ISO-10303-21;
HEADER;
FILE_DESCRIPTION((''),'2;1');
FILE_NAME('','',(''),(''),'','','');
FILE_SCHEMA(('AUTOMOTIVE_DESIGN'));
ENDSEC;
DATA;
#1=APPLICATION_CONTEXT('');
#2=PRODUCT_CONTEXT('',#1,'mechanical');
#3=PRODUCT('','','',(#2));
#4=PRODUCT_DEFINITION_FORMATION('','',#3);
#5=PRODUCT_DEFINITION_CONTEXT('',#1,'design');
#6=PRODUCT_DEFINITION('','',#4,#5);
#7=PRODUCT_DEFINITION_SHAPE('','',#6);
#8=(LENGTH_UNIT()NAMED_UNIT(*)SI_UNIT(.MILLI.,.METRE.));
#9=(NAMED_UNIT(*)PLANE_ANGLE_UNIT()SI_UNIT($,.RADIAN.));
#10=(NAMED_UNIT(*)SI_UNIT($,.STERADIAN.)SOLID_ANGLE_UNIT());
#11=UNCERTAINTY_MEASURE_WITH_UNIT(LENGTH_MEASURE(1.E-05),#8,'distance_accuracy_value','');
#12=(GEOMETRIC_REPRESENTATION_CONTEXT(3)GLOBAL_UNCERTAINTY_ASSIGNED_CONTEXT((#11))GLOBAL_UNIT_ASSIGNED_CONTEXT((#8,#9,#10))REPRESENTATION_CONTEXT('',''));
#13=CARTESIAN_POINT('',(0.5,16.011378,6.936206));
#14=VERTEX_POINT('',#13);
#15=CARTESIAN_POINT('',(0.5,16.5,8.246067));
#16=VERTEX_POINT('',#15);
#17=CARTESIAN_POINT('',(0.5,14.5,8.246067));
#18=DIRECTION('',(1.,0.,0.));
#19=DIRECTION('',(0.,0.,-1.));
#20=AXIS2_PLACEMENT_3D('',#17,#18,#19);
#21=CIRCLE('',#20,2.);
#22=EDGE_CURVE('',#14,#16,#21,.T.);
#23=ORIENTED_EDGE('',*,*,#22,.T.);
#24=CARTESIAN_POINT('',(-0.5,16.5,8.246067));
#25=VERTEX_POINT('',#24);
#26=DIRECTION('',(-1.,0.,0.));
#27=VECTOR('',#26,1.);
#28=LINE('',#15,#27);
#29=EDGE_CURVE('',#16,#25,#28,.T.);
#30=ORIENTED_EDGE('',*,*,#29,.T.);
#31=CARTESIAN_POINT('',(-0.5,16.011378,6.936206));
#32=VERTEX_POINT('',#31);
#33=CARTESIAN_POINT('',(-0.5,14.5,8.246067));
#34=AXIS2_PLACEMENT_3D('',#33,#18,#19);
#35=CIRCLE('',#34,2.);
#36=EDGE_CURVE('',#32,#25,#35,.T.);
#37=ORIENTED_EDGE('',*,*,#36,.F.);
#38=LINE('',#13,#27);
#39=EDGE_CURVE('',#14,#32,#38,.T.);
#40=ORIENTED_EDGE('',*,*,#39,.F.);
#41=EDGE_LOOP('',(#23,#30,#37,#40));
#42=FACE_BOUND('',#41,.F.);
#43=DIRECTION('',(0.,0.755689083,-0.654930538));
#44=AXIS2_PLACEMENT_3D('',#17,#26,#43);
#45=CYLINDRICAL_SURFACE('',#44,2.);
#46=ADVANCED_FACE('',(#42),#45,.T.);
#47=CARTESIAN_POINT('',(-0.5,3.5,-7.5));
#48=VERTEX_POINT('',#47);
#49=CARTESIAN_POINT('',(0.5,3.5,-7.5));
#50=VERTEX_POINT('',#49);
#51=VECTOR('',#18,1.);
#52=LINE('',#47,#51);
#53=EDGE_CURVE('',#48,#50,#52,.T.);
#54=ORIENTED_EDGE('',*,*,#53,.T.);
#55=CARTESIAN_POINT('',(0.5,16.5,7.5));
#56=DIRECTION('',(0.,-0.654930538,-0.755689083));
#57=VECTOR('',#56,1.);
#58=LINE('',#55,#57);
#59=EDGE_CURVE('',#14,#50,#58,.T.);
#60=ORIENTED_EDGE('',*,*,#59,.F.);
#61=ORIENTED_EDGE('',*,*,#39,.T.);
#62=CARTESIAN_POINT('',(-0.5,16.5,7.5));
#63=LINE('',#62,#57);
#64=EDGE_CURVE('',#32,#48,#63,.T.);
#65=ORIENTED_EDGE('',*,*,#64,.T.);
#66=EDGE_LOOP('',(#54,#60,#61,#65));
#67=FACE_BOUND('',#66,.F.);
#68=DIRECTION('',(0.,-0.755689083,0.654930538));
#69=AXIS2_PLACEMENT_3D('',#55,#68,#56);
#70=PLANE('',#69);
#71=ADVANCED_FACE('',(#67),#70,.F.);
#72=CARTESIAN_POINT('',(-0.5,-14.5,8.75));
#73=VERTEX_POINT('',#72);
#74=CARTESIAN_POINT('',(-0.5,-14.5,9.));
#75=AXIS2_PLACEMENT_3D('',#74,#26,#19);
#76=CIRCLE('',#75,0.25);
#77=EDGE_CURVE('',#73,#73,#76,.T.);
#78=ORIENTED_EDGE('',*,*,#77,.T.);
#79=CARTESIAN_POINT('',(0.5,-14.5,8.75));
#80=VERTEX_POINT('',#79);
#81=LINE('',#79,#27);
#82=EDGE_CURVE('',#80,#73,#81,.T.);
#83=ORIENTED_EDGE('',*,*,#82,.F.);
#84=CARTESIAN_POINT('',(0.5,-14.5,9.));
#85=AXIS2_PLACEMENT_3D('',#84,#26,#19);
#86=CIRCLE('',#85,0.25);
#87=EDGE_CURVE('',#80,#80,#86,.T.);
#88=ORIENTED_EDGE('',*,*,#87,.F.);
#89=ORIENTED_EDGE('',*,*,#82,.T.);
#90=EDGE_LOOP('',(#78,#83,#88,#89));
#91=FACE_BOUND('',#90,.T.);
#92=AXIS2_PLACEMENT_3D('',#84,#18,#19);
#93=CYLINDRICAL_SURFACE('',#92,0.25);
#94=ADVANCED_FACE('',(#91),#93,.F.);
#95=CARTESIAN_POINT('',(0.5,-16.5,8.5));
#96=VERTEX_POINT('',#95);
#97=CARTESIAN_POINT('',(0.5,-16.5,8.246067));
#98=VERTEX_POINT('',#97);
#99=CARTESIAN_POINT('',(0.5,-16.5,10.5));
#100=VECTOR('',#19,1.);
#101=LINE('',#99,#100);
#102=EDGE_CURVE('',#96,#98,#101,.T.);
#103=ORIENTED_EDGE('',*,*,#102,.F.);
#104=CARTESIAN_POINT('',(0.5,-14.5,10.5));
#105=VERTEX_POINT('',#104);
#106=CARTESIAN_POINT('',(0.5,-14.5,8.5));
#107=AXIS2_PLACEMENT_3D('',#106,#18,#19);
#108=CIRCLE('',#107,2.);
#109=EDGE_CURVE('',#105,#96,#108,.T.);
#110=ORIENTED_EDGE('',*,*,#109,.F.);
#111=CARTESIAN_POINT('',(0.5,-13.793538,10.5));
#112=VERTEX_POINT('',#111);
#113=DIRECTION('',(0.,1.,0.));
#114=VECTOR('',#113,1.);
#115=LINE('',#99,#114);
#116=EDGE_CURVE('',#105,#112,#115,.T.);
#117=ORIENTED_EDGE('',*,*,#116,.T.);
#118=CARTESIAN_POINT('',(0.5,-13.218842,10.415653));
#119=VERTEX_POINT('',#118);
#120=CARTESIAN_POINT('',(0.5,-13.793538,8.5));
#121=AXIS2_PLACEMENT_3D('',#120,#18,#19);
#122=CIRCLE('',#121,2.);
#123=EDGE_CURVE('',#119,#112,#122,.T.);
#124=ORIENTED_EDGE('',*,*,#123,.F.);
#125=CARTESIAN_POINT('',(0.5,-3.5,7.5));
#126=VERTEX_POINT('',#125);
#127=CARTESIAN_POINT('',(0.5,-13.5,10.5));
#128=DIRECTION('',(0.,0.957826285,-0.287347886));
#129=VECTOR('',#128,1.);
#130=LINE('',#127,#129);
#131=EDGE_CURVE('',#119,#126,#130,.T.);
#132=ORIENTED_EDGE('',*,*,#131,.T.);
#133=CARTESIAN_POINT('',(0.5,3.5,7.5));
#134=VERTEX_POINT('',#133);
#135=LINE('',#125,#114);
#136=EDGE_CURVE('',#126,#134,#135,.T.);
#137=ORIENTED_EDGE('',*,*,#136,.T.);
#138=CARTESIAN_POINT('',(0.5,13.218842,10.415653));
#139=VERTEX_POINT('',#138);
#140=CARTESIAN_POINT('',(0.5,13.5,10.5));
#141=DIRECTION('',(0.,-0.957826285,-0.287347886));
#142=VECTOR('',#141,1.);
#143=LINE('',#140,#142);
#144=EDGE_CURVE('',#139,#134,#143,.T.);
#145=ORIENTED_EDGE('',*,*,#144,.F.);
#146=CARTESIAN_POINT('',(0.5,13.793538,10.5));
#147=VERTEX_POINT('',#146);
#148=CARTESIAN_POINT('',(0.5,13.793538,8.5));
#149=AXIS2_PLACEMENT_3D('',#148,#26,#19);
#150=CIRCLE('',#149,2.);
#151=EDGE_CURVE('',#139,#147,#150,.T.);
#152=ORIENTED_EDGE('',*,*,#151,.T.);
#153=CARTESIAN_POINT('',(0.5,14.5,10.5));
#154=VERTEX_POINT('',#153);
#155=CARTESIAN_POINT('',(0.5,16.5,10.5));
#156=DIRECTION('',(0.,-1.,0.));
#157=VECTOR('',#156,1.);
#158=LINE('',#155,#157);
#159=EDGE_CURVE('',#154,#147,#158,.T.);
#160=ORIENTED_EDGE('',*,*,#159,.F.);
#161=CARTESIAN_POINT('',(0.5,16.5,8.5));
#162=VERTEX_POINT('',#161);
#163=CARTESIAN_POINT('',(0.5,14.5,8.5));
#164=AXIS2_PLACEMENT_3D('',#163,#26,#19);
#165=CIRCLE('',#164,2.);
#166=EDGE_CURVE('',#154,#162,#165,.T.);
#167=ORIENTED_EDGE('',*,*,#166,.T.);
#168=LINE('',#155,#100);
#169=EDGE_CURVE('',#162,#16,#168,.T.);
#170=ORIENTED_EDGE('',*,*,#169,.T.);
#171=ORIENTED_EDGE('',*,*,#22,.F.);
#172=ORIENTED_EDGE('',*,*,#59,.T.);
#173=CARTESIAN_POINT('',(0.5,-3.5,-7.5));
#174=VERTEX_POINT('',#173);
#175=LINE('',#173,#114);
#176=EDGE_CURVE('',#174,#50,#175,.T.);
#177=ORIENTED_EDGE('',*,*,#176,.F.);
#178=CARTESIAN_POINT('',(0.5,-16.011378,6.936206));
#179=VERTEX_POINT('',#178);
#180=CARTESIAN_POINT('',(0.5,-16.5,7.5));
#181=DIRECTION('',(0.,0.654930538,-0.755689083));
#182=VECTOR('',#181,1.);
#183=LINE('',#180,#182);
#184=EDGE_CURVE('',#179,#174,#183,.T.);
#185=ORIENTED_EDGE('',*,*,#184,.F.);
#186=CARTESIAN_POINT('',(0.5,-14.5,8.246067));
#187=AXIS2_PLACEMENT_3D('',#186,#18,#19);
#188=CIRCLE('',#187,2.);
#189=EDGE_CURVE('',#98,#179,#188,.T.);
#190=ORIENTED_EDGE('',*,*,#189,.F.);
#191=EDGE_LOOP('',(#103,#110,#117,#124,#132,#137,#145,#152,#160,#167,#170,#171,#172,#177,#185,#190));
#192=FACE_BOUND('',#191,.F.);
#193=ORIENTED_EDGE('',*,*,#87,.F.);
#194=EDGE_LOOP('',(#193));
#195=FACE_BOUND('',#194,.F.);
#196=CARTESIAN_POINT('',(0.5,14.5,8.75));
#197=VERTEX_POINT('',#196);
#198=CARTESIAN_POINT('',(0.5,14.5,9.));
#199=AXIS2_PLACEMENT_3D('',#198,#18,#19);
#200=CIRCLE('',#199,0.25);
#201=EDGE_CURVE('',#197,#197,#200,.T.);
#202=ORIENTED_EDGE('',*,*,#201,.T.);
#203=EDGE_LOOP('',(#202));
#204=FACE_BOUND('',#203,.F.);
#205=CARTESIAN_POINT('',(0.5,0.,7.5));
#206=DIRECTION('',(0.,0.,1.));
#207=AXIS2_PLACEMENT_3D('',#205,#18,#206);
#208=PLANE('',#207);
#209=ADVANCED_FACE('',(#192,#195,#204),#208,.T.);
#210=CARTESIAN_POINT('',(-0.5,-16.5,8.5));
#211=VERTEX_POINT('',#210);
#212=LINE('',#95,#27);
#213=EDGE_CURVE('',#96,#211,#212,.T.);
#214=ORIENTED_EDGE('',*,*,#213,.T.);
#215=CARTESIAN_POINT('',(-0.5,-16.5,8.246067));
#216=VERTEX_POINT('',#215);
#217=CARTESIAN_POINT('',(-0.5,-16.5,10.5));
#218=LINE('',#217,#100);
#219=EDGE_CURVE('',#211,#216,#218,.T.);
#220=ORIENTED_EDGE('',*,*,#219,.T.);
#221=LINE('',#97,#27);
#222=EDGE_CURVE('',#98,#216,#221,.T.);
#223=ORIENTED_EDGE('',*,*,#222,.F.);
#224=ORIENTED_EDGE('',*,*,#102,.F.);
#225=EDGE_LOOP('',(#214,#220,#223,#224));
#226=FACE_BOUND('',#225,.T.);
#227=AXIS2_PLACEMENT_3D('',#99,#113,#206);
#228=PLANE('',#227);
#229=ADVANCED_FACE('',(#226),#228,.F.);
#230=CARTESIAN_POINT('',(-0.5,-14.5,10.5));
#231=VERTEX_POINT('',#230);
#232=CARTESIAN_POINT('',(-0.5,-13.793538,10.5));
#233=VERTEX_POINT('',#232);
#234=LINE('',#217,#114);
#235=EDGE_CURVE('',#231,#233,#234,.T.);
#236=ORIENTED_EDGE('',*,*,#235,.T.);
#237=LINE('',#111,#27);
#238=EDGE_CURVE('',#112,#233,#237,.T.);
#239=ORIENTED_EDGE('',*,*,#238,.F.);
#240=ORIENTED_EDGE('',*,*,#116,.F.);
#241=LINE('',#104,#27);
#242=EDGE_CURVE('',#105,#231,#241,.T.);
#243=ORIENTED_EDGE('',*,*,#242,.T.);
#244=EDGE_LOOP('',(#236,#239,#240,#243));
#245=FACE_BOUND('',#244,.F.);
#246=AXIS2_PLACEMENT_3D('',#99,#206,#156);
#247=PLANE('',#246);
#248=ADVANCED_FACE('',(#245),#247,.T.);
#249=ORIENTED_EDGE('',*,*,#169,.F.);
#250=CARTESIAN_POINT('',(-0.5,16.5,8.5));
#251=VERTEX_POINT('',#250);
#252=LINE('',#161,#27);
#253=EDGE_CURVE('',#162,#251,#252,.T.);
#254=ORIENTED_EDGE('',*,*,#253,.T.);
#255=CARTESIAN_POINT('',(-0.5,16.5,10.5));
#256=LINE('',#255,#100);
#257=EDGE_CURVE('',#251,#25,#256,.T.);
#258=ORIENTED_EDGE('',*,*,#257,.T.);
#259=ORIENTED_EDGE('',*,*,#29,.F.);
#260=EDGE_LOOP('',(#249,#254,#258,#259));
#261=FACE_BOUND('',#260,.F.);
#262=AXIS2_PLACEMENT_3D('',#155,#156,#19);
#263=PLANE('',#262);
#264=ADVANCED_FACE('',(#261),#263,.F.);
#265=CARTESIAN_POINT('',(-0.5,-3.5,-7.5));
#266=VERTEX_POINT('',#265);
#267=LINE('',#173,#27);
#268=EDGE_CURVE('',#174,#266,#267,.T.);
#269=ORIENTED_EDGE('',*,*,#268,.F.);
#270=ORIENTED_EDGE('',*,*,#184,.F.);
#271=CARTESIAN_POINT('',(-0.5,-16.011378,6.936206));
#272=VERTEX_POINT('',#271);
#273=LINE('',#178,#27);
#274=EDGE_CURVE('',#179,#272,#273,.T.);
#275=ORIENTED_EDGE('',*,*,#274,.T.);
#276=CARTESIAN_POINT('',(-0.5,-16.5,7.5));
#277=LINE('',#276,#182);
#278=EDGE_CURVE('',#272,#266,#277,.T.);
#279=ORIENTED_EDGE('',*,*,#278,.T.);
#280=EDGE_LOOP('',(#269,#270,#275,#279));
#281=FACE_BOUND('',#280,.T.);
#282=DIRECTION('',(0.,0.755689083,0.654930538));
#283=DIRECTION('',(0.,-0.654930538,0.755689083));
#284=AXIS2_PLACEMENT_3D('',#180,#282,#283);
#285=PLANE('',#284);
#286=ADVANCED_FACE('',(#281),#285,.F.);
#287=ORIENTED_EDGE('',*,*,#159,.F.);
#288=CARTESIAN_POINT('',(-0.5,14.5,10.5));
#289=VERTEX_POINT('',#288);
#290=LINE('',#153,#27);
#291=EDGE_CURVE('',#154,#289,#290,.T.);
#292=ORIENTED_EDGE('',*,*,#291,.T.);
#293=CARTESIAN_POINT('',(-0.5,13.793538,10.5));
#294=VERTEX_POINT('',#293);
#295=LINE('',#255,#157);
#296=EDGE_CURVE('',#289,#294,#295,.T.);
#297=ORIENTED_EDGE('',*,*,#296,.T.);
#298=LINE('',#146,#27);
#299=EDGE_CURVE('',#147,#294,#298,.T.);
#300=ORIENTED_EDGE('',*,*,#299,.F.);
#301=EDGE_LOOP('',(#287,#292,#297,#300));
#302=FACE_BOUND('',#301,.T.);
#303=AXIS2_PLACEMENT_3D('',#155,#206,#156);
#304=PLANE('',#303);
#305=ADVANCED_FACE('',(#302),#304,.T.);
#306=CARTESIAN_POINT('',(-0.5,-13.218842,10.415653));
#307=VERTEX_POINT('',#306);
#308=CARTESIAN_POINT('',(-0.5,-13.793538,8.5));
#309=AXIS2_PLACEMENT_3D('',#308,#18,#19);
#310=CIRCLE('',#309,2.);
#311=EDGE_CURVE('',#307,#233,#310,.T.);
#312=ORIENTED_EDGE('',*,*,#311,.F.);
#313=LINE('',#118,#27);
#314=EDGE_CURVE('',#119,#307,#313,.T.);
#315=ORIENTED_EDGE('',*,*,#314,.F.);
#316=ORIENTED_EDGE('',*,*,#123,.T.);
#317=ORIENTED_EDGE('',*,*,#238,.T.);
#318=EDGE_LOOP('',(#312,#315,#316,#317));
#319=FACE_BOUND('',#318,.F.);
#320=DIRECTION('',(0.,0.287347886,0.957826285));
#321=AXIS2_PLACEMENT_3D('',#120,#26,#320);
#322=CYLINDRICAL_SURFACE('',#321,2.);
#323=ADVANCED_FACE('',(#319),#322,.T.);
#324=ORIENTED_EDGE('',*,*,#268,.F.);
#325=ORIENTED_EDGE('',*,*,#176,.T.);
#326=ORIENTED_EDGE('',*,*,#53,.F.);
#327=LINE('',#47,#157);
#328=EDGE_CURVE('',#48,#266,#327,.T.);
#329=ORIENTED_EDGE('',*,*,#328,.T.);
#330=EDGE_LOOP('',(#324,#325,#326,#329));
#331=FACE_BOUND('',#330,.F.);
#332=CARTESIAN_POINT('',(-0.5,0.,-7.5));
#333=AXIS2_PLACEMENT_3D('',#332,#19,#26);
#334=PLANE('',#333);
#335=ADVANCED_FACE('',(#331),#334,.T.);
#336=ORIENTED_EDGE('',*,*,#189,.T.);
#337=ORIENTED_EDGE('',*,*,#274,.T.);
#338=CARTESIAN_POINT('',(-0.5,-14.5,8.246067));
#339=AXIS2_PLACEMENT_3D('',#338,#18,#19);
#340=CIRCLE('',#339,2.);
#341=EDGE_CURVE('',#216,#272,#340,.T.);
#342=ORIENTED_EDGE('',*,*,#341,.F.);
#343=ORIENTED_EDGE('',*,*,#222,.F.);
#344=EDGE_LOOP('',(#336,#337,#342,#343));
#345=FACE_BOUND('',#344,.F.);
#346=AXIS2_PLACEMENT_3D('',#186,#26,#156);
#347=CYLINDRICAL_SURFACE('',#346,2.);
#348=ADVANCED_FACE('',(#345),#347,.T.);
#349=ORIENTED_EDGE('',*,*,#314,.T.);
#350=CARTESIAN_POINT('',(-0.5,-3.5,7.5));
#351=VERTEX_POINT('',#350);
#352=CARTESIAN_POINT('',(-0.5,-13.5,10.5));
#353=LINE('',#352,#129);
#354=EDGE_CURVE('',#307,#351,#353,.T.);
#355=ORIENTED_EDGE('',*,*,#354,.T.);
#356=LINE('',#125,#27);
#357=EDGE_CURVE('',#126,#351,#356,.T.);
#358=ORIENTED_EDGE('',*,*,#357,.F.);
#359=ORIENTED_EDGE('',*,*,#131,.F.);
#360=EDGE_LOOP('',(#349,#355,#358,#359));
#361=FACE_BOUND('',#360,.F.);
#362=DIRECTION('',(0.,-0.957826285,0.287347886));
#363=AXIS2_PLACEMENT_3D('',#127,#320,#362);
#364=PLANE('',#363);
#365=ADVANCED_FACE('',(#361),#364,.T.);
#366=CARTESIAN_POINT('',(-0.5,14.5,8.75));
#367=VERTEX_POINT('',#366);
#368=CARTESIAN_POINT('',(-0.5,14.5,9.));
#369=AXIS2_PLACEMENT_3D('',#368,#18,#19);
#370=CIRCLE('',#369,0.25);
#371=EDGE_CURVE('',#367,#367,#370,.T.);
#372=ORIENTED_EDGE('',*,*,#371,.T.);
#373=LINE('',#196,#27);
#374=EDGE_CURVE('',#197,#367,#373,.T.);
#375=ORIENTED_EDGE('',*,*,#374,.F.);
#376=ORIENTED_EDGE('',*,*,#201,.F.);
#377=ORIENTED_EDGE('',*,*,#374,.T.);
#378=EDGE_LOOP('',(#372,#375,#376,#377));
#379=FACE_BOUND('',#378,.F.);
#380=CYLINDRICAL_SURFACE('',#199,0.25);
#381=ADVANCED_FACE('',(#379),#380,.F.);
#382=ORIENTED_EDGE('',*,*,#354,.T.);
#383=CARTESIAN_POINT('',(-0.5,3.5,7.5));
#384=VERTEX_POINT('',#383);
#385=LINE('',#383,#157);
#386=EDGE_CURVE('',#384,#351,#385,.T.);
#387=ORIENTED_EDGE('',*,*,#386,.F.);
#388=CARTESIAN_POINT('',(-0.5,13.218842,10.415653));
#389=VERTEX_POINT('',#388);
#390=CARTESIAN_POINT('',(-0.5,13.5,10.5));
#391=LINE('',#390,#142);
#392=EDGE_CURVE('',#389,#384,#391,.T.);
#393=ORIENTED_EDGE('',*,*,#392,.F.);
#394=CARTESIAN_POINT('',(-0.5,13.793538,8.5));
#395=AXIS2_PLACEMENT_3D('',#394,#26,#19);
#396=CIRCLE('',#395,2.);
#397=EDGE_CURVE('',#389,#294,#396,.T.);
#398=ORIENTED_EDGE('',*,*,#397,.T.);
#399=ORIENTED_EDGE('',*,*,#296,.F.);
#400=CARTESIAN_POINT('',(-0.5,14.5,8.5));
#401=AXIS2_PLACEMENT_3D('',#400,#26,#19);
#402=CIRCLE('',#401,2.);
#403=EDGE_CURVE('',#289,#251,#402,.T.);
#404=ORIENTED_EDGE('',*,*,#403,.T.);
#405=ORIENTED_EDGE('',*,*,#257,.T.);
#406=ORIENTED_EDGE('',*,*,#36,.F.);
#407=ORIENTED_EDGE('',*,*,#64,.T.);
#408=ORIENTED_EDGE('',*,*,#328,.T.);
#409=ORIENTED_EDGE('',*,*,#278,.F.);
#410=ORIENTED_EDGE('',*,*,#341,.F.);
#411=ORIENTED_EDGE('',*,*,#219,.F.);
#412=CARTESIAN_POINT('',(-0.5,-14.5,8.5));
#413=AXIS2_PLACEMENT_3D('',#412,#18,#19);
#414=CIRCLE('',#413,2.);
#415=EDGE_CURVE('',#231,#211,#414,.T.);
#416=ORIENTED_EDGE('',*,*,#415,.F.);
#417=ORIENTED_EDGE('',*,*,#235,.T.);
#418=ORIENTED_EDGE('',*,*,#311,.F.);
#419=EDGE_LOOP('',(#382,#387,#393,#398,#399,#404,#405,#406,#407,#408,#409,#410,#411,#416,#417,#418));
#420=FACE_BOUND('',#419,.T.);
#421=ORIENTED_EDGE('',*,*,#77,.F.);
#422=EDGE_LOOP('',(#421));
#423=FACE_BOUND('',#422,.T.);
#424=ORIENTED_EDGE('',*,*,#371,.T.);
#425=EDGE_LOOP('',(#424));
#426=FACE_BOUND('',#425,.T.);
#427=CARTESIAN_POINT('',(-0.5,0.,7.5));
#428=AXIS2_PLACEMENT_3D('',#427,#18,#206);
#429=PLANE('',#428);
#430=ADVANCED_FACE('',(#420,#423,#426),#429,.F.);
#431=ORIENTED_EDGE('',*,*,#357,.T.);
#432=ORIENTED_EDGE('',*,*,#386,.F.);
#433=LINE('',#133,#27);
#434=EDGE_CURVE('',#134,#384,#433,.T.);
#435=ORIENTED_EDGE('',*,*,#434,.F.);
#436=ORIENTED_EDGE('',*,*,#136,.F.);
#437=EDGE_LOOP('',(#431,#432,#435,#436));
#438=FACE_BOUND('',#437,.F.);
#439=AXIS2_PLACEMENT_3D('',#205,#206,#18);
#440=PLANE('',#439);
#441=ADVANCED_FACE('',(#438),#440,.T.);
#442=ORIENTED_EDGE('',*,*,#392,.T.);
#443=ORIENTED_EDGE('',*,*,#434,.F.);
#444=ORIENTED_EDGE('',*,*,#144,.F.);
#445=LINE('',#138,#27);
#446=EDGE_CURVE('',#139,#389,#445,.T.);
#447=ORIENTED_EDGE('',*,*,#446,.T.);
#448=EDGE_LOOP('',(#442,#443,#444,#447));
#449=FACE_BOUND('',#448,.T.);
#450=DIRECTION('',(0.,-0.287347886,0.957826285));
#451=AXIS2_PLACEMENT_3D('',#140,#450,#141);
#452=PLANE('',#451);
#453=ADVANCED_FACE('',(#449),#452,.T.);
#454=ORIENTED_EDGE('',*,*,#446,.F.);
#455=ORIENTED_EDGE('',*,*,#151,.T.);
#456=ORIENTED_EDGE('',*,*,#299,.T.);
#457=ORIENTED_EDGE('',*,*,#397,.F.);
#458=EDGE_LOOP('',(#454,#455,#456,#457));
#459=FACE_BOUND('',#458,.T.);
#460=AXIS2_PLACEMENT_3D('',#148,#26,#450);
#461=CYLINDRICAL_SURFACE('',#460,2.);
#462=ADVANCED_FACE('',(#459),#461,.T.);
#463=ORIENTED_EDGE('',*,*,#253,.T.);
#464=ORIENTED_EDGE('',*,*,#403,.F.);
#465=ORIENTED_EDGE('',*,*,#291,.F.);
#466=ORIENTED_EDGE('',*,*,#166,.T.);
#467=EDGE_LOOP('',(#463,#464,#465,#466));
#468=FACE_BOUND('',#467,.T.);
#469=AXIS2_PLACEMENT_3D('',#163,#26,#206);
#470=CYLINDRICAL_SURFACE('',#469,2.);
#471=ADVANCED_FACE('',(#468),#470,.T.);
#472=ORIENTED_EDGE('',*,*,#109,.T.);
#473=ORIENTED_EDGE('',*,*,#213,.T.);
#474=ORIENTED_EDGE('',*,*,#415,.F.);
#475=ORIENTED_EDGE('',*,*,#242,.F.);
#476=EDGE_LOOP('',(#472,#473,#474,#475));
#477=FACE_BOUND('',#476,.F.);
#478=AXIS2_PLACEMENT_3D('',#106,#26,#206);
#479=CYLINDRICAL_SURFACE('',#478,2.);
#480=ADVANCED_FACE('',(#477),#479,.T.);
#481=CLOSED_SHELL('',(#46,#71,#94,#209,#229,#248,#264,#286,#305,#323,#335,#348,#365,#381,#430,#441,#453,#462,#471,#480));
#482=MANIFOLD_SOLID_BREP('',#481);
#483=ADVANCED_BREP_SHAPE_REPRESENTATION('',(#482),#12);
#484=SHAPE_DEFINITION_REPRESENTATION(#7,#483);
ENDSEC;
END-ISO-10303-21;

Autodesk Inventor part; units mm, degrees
ref_plane "YZ Plane" through (0, 0, 0) normal (1, 0, 0) x (0, 1, 0)
ref_plane "XZ Plane" through (0, 0, 0) normal (0, 1, 0) x (-1, 0, 0)
ref_plane "XY Plane" through (0, 0, 0) normal (0, 0, 1) x (1, 0, 0)
sketch "スケッチ1" plane through (0, 0, 0) normal (0, 1, 0) x (-1, 0, 0)
  line L0 (-0.5, 7.5) -> (0.5, 7.5)
  line L1 (0.5, 7.5) -> (0.5, -7.5)
  line L2 (0.5, -7.5) -> (-0.5, -7.5)
  line L3 (-0.5, -7.5) -> (-0.5, 7.5)
  line L4 (-0.5, 7.5) -> (0.5, -7.5) construction
  line L5 (0.5, 7.5) -> (-0.5, -7.5) construction
  point P0 (0, 0)
  dimension "d0" = 1
  dimension "d1" = 15
extrude "押し出し1" add sketch "スケッチ1" along normal blind 3.5
sketch "スケッチ2" plane through (0.5, 0, 7.5) normal (1, 0, 0) x (0, 0, -1)
  line L0 (15, 3.5) -> (0, 3.5) projected
  line L1 (-3, 16.5) -> (0, 16.5)
  line L2 (0, 16.5) -> (15, 3.5)
  circle A0 centre (-1.5, 14.5) radius 0.25
  line L3 (-3, 16.5) -> (-3, 13.5)
  line L4 (-3, 13.5) -> (0, 3.5)
  point P0 (7.5, 0)
  point P1 (-1.5, 16.5)
  dimension "d5" = 3
  dimension "d6" = 0.5
  dimension "d7" = 2
  dimension "d11" = 13
  dimension "d12" = 3
  dimension "d13" = 3
extrude "押し出し2" add sketch "スケッチ2" against normal blind 1
fillet "フィレット1" radius 2 3 edges at (0, 16.5, 10.5) (0, 16.5, 7.5) (0, 13.5, 10.5)
mirror "ミラー1" about plane through (0, 0, 0) normal (0, -1, 0) of "押し出し2", "押し出し1", "フィレット1"
properties part number "TailHorn" material "ABS プラスチック"
